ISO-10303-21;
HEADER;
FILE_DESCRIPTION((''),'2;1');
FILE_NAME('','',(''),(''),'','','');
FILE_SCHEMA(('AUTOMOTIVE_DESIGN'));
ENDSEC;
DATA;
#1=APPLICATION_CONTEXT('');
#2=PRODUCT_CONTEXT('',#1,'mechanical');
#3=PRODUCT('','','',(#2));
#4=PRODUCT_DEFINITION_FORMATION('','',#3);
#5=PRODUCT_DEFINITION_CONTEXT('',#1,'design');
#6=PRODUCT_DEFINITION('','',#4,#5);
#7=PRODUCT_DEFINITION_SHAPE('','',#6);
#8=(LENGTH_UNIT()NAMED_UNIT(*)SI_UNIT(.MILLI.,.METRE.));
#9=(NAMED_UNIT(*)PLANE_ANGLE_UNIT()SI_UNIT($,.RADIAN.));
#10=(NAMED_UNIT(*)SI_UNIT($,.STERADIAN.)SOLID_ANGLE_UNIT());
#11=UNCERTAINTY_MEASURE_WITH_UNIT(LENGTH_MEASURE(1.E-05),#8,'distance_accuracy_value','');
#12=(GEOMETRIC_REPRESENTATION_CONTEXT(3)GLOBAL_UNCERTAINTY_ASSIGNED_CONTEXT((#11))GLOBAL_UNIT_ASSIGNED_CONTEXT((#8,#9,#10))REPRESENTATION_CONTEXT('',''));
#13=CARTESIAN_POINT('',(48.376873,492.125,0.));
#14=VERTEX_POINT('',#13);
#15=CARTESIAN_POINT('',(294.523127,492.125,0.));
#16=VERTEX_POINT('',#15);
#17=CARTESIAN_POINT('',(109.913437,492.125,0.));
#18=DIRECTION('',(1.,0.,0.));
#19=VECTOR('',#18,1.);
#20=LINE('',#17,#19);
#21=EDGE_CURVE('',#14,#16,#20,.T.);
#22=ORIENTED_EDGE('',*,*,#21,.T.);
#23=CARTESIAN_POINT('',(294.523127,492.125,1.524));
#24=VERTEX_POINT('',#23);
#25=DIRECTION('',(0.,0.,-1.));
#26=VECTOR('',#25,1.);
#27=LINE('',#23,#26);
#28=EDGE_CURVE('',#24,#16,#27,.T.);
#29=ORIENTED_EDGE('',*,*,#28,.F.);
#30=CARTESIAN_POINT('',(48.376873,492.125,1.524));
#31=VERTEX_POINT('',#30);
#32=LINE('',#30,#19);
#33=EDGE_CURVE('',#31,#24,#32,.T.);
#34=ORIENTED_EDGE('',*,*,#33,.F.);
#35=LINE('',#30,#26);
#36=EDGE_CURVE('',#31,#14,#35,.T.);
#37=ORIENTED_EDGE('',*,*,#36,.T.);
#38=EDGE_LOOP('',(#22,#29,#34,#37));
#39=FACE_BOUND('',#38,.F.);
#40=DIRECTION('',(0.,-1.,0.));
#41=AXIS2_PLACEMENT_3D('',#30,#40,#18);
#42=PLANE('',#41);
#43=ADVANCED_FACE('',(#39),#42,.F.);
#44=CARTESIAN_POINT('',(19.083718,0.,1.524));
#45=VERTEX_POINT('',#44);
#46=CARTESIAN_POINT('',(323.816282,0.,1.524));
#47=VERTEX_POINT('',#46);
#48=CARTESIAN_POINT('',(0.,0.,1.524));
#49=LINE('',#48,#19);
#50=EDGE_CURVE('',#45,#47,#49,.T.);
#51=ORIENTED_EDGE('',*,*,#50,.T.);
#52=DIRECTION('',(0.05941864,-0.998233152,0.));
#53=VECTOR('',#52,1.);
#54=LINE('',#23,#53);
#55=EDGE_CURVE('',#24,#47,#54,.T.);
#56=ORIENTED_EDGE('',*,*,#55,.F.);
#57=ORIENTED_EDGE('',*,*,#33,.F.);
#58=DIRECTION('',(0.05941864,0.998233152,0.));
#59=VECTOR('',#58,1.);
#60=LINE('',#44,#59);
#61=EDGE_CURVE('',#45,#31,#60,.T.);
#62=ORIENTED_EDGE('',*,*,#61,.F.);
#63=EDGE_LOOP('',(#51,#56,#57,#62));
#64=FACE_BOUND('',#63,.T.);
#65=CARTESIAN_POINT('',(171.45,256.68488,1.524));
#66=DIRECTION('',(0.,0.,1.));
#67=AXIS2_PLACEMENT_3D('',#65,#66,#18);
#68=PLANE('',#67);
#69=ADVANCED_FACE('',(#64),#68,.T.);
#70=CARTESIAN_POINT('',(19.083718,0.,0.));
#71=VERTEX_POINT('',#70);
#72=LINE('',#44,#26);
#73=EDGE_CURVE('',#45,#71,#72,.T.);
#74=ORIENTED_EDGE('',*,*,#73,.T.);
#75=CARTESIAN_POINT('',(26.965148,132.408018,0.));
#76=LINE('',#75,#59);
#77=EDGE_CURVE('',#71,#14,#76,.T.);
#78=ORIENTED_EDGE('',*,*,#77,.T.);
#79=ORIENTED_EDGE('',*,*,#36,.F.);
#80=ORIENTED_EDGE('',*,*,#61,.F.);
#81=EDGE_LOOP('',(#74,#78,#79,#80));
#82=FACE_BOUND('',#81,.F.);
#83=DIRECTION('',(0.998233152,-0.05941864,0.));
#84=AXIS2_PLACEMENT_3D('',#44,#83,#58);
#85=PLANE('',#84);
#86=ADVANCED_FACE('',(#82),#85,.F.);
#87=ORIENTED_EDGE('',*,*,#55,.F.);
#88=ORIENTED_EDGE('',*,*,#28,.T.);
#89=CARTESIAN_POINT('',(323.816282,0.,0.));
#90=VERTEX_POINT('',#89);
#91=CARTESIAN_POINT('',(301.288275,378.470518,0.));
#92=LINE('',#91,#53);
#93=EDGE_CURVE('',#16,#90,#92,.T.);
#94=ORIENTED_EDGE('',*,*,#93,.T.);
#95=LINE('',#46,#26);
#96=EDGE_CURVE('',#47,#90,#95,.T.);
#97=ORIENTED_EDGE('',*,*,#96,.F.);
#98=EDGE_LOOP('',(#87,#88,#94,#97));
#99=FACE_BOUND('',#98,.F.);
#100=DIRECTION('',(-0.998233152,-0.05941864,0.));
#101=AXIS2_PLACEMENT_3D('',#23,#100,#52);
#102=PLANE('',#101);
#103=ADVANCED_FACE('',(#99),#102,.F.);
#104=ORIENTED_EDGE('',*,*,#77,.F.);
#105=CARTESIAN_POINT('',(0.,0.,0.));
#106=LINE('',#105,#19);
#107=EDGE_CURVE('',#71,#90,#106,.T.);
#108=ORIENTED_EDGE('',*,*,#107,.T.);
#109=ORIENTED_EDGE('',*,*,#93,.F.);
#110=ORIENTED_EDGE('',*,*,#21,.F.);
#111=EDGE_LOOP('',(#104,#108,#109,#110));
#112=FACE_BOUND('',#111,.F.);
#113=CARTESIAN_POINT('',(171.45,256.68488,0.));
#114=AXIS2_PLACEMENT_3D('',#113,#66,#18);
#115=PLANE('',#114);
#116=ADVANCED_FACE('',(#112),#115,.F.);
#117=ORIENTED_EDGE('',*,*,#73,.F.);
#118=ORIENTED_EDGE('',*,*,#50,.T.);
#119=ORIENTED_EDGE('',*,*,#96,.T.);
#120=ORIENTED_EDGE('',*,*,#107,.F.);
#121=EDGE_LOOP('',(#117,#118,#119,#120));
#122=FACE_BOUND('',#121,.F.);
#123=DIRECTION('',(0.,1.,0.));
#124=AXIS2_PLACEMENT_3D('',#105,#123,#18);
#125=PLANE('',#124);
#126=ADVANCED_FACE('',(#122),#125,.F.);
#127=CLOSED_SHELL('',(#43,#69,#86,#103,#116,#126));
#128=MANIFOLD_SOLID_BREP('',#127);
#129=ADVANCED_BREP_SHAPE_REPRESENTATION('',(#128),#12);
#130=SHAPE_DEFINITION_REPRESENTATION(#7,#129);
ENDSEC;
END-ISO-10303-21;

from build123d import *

# Parameters (mm, degrees)
F1_DEPTH = 1.524
F3_DEPTH = 1.525


with BuildPart() as f1:
    # F0 (on Top) → F1 (new body)
    with BuildSketch(Plane.XY):
        Polygon((31.75, 533.4), (0, 0), (342.9, 0), (311.15, 533.4), align=None)
    extrude(amount=F1_DEPTH)

    # F2 (on face) → F3 (cut, through all)
    with BuildSketch(Plane.XY.offset(1.524)):
        Polygon((0, 0), (19.083718, 0), (48.376873, 492.125), (294.523127, 492.125), (323.816282, 0), (342.9, 0), (311.15, 533.4), (31.75, 533.4), align=None)
    extrude(amount=-F3_DEPTH, mode=Mode.SUBTRACT)


solid = f1.part
